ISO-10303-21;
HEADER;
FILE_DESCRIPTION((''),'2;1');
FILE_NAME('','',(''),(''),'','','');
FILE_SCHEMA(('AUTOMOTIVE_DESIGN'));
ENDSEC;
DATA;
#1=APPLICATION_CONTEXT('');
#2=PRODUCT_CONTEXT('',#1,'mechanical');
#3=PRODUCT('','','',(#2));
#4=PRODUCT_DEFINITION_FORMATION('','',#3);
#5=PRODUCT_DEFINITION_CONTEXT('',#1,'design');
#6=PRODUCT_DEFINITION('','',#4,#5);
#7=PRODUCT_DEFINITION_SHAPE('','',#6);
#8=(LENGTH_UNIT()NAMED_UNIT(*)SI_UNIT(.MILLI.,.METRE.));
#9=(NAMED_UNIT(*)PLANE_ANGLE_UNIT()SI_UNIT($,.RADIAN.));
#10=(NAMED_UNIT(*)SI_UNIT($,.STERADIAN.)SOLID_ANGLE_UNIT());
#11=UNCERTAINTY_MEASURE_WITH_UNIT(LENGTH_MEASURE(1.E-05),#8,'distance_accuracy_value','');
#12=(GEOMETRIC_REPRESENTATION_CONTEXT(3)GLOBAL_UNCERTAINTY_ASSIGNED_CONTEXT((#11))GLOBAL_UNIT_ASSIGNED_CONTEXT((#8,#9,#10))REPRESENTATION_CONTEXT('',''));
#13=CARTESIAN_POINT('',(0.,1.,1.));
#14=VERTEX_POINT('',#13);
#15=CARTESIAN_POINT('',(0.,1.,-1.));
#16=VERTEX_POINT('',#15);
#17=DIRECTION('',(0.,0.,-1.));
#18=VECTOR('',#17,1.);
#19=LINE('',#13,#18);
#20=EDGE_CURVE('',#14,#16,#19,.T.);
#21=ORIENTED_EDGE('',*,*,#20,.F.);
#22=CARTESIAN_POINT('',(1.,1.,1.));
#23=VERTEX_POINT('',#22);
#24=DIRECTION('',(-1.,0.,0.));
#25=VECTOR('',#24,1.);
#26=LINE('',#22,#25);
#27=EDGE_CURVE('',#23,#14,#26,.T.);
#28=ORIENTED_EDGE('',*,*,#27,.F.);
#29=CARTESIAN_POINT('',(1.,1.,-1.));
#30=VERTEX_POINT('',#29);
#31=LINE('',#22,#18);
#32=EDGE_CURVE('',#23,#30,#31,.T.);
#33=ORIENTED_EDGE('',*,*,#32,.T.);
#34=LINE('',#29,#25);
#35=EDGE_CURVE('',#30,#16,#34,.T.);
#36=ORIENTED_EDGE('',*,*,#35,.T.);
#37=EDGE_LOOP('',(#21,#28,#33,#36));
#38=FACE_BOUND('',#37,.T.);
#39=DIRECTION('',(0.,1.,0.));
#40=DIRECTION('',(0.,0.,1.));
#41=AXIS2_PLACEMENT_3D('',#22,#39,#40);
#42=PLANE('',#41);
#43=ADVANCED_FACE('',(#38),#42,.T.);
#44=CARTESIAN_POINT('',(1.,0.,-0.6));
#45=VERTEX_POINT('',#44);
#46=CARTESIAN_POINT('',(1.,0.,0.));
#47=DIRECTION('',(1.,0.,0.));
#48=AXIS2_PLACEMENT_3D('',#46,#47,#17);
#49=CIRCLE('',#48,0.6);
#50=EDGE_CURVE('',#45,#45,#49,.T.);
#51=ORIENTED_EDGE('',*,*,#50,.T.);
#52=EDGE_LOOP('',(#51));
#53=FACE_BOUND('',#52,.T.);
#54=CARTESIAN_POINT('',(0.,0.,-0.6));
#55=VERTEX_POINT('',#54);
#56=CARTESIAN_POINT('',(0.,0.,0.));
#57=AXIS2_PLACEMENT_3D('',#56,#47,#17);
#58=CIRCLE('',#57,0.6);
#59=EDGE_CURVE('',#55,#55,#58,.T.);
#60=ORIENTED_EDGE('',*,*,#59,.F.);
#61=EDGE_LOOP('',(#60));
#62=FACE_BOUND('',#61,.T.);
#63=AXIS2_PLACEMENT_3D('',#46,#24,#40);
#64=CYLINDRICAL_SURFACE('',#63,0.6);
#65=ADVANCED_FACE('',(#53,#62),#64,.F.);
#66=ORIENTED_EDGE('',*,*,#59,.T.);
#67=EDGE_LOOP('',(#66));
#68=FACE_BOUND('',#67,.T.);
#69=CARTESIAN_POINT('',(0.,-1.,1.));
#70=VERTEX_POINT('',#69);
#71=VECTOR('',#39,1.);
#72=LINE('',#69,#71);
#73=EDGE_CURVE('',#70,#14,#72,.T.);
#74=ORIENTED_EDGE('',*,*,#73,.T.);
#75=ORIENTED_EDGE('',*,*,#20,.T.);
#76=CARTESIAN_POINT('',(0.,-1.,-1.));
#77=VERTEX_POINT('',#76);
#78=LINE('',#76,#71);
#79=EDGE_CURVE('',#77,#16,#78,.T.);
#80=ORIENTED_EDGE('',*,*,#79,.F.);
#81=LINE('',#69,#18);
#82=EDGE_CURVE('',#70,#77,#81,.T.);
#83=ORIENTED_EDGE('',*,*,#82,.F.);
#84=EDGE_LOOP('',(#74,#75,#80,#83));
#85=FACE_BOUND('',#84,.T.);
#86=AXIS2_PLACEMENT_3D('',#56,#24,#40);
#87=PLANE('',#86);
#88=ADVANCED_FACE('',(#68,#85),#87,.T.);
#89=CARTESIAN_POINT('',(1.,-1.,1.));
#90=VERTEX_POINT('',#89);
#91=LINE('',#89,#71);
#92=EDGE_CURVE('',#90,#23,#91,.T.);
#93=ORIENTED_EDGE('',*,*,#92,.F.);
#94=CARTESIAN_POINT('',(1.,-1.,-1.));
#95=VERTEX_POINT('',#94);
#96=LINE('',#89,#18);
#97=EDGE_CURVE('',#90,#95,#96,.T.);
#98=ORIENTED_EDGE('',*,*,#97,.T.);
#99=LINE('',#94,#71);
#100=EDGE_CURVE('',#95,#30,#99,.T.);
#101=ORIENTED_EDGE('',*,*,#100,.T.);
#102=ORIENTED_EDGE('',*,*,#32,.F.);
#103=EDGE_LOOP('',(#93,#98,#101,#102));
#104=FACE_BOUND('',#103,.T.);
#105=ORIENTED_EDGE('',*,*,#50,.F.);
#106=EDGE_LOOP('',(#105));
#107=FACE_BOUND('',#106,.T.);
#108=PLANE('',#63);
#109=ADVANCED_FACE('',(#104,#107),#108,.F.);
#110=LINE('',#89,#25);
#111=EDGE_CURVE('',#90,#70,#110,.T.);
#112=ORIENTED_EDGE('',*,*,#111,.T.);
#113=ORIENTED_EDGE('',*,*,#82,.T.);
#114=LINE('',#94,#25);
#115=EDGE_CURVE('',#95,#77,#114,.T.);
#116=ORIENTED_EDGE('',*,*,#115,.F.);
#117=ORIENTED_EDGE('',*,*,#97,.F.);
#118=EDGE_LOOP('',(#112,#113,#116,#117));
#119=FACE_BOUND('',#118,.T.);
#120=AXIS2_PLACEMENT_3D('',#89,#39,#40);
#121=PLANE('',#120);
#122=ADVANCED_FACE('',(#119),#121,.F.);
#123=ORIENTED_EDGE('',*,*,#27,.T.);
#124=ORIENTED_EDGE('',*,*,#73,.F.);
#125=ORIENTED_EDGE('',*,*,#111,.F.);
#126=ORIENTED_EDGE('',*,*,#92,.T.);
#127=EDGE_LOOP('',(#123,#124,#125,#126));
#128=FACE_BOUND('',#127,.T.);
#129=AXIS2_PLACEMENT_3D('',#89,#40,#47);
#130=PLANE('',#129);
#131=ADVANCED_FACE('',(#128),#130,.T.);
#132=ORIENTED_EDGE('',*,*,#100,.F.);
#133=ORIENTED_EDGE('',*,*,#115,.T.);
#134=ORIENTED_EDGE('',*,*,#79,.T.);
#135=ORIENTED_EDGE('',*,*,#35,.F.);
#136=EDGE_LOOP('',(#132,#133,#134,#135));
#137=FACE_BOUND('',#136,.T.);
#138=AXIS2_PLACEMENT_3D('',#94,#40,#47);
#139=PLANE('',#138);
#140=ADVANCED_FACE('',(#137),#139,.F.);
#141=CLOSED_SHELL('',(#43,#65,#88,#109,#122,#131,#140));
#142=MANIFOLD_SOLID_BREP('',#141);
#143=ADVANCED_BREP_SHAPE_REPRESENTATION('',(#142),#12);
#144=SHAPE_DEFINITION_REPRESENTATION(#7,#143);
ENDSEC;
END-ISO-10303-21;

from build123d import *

# Parameters (mm, degrees)
SKETCH_1_W      = 2
SKETCH_1_H      = 2
SKETCH_1_R      = 0.6
EXTRUDE_2_DEPTH = 1


with BuildPart() as part:
    # 草图1 → 凸台-拉伸2 (new body)
    with BuildSketch(Plane(origin=(0, 0, 0), x_dir=(0, 0, -1), z_dir=(1, 0, 0))):
        Rectangle(SKETCH_1_W, SKETCH_1_H)
        Circle(SKETCH_1_R, mode=Mode.SUBTRACT)
    extrude(amount=EXTRUDE_2_DEPTH)


solid = part.part
